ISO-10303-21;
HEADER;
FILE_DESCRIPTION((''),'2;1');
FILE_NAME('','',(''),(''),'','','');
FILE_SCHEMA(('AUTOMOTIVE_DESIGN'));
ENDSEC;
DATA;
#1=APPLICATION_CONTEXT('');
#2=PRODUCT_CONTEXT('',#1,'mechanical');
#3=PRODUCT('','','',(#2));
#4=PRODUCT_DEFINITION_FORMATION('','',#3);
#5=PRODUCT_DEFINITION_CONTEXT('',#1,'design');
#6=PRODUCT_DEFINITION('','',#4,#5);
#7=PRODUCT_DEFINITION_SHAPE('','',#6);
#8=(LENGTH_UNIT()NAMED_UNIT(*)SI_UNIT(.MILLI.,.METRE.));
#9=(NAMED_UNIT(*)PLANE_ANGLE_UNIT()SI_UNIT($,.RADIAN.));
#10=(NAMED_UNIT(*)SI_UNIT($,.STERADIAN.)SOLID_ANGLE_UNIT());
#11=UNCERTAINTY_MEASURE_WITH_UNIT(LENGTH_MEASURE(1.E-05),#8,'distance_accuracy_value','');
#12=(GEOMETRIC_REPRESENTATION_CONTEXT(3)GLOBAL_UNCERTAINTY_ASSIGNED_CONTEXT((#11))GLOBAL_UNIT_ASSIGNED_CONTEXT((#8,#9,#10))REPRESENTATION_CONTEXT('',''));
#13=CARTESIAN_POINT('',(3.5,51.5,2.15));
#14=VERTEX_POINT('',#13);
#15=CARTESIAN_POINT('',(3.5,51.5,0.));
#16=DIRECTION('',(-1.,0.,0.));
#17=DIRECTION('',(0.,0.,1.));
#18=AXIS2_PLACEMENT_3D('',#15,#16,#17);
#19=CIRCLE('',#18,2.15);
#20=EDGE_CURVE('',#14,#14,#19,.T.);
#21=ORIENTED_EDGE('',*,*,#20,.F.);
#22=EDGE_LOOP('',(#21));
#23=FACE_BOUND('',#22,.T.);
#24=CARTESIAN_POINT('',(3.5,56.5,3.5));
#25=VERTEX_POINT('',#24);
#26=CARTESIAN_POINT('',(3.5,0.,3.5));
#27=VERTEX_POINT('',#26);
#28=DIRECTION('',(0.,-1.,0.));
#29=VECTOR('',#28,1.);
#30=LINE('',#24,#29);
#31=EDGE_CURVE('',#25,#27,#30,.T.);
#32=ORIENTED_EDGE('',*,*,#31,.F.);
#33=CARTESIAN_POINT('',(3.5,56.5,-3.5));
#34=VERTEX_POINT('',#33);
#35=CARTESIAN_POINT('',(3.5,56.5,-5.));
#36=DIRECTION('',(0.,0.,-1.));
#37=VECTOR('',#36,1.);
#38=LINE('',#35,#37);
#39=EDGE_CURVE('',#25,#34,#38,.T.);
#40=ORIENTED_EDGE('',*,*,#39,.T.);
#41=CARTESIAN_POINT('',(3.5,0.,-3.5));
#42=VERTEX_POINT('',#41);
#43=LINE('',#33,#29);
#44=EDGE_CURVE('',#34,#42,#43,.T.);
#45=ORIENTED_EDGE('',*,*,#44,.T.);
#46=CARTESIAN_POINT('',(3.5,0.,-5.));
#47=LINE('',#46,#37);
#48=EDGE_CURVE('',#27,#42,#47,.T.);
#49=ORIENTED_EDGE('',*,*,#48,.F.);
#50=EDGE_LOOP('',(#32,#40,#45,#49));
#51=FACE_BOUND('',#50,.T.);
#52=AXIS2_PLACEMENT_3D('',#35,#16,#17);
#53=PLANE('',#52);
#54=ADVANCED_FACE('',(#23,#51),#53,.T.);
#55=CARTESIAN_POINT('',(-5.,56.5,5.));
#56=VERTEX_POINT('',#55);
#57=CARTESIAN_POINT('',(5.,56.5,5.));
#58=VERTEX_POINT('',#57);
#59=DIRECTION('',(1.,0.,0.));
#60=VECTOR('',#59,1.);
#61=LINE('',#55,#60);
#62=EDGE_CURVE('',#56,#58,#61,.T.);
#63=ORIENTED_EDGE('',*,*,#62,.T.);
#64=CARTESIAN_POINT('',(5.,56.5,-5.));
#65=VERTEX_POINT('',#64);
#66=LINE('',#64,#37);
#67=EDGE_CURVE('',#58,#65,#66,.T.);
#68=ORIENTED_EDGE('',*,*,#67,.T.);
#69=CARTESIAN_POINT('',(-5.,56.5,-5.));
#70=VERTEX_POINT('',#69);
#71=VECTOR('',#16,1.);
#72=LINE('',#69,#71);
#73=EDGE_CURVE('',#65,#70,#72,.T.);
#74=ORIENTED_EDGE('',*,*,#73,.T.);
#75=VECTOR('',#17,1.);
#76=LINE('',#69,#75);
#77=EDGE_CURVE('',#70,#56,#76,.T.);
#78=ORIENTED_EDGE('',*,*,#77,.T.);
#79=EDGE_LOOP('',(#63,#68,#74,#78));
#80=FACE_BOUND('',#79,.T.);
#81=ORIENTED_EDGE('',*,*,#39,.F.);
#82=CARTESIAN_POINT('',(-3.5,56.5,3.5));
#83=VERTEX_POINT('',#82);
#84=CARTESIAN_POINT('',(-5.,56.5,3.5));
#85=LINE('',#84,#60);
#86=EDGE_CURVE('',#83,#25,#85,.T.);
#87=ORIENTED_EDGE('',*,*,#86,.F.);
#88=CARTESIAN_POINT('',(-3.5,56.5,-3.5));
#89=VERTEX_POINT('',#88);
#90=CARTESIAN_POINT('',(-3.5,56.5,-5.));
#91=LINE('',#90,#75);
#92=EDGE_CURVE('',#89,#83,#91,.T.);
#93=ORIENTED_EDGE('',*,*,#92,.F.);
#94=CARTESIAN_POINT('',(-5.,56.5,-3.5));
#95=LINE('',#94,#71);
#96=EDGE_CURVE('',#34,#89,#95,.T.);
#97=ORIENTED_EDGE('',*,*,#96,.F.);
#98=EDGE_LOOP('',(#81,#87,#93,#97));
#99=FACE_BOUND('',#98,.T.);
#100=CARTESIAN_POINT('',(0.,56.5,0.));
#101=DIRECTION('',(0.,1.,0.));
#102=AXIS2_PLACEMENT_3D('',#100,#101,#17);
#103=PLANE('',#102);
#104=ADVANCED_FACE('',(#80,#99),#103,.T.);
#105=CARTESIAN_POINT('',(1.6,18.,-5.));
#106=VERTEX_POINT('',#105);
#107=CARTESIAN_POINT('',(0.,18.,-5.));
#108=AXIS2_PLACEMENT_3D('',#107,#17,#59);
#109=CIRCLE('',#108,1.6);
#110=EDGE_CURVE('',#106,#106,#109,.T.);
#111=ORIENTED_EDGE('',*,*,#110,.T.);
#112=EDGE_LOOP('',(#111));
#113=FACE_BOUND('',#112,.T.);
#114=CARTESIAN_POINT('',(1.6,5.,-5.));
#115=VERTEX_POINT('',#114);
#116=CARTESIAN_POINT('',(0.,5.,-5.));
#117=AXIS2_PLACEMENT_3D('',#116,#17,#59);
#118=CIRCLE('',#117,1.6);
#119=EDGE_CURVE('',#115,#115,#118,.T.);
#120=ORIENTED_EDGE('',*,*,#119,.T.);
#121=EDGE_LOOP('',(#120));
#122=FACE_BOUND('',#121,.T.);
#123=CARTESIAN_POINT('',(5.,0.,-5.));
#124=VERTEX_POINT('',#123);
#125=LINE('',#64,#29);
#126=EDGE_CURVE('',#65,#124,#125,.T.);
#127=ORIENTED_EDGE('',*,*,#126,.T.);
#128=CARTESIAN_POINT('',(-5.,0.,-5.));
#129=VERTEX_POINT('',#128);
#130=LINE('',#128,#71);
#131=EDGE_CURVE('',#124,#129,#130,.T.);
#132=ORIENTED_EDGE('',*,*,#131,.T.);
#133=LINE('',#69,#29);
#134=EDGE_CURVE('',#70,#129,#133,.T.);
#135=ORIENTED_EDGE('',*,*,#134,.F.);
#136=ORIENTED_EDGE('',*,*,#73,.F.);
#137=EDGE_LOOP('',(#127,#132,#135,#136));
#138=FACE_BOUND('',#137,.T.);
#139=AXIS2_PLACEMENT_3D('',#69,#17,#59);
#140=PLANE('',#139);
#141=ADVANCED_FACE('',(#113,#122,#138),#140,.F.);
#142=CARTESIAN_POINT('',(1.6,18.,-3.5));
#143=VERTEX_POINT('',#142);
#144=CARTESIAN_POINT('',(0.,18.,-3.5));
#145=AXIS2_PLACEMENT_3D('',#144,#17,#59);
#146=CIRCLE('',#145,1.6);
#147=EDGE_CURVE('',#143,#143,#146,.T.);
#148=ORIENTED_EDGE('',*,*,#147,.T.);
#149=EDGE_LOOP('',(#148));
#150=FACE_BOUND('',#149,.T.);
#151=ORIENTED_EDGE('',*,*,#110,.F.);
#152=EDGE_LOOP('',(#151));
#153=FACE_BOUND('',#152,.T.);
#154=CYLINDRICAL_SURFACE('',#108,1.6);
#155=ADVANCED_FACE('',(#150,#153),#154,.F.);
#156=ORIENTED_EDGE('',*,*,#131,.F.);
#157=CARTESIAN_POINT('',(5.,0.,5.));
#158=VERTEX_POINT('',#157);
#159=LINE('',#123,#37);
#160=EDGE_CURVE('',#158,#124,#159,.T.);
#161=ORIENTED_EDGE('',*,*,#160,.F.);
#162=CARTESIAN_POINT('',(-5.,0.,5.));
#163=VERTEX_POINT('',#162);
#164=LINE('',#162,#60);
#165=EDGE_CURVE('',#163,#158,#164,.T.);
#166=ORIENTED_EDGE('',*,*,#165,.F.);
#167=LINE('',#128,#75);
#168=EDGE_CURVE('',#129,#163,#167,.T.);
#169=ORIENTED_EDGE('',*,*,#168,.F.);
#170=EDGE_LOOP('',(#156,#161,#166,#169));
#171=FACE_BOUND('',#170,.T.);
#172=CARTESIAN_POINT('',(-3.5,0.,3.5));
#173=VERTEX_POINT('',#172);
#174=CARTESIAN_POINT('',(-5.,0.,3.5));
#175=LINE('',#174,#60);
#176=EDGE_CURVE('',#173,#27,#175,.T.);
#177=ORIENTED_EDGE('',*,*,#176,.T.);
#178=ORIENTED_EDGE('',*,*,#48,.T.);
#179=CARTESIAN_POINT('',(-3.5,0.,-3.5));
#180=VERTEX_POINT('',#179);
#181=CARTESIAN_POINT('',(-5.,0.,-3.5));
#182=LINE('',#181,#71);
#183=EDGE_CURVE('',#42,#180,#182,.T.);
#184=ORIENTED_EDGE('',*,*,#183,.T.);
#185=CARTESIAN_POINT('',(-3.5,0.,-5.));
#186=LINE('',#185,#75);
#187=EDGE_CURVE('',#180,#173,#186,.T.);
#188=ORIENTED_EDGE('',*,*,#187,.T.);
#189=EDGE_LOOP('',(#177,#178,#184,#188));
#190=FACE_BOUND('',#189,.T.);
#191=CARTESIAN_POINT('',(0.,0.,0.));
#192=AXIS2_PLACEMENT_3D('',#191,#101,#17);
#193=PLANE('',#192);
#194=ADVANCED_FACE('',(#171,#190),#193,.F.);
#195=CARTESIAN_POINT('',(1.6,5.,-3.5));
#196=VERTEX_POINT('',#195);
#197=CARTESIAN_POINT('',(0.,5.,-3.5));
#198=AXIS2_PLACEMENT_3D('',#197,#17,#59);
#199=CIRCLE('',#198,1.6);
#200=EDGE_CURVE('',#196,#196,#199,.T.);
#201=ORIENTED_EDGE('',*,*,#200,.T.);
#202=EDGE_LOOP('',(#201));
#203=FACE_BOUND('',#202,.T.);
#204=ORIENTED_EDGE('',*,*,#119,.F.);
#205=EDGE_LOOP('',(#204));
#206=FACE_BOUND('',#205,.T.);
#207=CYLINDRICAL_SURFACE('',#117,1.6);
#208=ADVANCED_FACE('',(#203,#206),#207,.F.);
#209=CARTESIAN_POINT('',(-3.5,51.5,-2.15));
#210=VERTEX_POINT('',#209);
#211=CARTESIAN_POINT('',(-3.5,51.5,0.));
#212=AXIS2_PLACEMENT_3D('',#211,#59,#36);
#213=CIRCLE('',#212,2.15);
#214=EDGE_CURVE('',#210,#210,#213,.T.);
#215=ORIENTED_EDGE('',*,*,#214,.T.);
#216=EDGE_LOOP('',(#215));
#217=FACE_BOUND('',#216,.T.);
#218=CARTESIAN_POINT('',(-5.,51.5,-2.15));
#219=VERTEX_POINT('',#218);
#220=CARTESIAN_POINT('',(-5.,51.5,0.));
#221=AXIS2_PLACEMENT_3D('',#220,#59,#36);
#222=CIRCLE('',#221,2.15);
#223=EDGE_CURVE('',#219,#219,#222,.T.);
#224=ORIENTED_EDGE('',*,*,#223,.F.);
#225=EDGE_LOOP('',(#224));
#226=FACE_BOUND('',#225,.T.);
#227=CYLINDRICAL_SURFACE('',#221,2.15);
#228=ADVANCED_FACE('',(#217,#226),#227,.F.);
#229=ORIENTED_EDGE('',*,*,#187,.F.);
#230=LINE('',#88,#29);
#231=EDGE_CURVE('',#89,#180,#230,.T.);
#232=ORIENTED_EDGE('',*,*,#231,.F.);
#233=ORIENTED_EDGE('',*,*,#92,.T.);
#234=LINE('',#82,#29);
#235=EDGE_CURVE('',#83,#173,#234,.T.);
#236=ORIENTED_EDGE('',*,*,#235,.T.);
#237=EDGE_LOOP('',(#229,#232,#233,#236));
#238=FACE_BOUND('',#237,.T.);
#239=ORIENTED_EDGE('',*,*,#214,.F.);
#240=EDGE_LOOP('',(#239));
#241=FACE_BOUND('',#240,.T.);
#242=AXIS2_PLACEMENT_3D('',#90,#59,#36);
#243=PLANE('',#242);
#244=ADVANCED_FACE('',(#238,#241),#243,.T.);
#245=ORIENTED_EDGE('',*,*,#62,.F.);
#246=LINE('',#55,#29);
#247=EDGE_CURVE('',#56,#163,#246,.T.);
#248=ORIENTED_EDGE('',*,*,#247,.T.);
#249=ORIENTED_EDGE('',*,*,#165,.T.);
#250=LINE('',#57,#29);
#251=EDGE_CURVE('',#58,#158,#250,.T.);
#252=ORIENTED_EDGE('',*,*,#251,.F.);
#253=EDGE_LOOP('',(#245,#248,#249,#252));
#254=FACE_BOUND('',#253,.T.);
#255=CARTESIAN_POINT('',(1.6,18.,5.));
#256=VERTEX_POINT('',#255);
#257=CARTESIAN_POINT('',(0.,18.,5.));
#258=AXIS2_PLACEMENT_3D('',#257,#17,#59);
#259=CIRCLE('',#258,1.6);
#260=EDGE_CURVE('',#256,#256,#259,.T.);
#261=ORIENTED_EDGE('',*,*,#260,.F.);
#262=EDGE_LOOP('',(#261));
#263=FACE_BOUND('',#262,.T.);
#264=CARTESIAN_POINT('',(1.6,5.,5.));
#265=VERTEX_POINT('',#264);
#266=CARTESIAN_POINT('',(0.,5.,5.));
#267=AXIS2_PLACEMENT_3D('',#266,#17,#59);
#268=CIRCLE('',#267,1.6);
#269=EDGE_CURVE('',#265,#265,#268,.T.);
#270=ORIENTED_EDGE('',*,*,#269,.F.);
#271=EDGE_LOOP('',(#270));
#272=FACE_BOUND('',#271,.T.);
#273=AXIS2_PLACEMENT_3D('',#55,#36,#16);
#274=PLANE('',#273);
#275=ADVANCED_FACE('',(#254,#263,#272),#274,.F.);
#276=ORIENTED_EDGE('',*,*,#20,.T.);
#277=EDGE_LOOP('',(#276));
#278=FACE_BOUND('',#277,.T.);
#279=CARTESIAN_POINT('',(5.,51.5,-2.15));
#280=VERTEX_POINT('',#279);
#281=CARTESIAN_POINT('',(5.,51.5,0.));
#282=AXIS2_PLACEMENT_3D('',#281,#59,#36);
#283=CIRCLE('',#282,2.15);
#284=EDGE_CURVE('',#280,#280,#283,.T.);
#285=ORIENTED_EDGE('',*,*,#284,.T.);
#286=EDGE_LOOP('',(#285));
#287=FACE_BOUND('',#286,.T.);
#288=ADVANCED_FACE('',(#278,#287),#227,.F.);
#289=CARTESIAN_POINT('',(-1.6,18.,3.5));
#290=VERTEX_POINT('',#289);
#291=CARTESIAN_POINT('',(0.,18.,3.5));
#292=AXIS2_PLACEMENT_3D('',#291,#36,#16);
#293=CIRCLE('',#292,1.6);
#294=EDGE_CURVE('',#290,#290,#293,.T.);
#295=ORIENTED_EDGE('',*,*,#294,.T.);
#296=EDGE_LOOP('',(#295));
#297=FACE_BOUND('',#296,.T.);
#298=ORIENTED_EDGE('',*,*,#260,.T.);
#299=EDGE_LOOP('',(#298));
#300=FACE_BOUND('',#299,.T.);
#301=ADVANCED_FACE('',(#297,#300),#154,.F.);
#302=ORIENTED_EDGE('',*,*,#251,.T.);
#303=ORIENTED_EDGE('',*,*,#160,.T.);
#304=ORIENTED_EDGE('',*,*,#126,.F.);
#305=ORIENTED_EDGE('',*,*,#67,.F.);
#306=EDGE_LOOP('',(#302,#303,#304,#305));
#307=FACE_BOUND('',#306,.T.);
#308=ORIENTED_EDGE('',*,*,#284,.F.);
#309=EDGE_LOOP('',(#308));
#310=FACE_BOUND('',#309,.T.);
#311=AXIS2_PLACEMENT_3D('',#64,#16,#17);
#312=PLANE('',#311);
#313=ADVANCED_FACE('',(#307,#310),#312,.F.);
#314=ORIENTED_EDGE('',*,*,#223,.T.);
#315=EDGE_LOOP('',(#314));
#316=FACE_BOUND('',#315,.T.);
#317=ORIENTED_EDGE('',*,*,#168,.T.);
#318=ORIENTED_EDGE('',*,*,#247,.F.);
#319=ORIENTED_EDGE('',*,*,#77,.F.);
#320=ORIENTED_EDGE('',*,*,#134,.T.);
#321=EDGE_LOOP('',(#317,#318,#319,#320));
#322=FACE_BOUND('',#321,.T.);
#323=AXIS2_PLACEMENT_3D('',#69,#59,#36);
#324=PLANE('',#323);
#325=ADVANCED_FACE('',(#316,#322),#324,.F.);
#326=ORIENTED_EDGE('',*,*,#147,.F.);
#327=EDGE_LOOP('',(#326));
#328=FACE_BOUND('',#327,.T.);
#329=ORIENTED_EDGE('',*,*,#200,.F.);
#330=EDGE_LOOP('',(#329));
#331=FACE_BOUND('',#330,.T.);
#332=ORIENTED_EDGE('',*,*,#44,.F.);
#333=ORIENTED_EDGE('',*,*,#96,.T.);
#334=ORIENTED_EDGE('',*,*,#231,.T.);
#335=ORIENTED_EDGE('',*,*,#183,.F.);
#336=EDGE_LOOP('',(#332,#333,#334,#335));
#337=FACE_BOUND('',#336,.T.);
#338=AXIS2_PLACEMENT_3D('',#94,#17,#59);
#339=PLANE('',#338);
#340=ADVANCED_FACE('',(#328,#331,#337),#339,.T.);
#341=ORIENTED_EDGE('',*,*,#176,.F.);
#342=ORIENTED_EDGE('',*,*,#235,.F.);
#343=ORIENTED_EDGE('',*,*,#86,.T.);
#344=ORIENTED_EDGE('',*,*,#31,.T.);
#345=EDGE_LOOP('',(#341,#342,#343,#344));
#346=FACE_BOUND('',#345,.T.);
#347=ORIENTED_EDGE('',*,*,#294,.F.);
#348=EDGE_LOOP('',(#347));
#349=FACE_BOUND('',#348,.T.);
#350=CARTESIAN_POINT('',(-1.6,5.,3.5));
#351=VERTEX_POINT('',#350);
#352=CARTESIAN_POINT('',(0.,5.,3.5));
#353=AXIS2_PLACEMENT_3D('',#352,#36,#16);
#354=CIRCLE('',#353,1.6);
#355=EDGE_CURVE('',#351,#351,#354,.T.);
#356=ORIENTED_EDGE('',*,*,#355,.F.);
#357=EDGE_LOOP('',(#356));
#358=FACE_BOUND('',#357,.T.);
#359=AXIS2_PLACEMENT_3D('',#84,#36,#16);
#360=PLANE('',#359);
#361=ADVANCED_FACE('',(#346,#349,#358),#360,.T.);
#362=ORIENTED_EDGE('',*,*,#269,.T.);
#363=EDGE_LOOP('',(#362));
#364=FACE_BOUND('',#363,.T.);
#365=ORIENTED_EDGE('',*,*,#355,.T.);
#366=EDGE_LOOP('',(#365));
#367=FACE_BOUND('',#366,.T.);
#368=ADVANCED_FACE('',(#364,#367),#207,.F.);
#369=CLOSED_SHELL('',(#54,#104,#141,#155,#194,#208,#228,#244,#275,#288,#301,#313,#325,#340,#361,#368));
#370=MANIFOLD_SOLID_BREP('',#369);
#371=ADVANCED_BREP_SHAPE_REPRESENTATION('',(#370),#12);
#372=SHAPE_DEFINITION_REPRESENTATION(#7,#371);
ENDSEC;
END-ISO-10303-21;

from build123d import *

# Parameters (mm, degrees)
SKETCH_1_W          = 10
SKETCH_1_H          = 10
SKETCH_1_W_2        = 7
SKETCH_1_H_2        = 7
EXTRUDE_1_DEPTH     = 56.5
SKETCH_2_R          = 1.6
CUT_EXTRUDE_1_DEPTH = 58.595572747
SKETCH_3_R          = 2.15
CUT_EXTRUDE_2_DEPTH = 58.595572747


with BuildPart() as part:
    # ｽｹｯﾁ1 → 押し出し-薄板1 (new body)
    with BuildSketch(Plane(origin=(0, 0, 0), x_dir=(1, 0, 0), z_dir=(0, 1, 0))):
        Rectangle(SKETCH_1_W, SKETCH_1_H)
        Rectangle(SKETCH_1_W_2, SKETCH_1_H_2, mode=Mode.SUBTRACT)
    extrude(amount=EXTRUDE_1_DEPTH)

    # ｽｹｯﾁ2 → ｶｯﾄ - 押し出し1 (cut, through all)
    with BuildSketch(Plane.XY.offset(5)):
        with Locations((0, 18)):
            Circle(SKETCH_2_R)
        with Locations((0, 5)):
            Circle(SKETCH_2_R)
    extrude(amount=-CUT_EXTRUDE_1_DEPTH, mode=Mode.SUBTRACT)

    # ｽｹｯﾁ3 → ｶｯﾄ - 押し出し2 (cut, through all)
    with BuildSketch(Plane(origin=(5, 0, 0), x_dir=(0, 0, -1), z_dir=(1, 0, 0))):
        with Locations((0, 51.5)):
            Circle(SKETCH_3_R)
    extrude(amount=-CUT_EXTRUDE_2_DEPTH, mode=Mode.SUBTRACT)


solid = part.part
